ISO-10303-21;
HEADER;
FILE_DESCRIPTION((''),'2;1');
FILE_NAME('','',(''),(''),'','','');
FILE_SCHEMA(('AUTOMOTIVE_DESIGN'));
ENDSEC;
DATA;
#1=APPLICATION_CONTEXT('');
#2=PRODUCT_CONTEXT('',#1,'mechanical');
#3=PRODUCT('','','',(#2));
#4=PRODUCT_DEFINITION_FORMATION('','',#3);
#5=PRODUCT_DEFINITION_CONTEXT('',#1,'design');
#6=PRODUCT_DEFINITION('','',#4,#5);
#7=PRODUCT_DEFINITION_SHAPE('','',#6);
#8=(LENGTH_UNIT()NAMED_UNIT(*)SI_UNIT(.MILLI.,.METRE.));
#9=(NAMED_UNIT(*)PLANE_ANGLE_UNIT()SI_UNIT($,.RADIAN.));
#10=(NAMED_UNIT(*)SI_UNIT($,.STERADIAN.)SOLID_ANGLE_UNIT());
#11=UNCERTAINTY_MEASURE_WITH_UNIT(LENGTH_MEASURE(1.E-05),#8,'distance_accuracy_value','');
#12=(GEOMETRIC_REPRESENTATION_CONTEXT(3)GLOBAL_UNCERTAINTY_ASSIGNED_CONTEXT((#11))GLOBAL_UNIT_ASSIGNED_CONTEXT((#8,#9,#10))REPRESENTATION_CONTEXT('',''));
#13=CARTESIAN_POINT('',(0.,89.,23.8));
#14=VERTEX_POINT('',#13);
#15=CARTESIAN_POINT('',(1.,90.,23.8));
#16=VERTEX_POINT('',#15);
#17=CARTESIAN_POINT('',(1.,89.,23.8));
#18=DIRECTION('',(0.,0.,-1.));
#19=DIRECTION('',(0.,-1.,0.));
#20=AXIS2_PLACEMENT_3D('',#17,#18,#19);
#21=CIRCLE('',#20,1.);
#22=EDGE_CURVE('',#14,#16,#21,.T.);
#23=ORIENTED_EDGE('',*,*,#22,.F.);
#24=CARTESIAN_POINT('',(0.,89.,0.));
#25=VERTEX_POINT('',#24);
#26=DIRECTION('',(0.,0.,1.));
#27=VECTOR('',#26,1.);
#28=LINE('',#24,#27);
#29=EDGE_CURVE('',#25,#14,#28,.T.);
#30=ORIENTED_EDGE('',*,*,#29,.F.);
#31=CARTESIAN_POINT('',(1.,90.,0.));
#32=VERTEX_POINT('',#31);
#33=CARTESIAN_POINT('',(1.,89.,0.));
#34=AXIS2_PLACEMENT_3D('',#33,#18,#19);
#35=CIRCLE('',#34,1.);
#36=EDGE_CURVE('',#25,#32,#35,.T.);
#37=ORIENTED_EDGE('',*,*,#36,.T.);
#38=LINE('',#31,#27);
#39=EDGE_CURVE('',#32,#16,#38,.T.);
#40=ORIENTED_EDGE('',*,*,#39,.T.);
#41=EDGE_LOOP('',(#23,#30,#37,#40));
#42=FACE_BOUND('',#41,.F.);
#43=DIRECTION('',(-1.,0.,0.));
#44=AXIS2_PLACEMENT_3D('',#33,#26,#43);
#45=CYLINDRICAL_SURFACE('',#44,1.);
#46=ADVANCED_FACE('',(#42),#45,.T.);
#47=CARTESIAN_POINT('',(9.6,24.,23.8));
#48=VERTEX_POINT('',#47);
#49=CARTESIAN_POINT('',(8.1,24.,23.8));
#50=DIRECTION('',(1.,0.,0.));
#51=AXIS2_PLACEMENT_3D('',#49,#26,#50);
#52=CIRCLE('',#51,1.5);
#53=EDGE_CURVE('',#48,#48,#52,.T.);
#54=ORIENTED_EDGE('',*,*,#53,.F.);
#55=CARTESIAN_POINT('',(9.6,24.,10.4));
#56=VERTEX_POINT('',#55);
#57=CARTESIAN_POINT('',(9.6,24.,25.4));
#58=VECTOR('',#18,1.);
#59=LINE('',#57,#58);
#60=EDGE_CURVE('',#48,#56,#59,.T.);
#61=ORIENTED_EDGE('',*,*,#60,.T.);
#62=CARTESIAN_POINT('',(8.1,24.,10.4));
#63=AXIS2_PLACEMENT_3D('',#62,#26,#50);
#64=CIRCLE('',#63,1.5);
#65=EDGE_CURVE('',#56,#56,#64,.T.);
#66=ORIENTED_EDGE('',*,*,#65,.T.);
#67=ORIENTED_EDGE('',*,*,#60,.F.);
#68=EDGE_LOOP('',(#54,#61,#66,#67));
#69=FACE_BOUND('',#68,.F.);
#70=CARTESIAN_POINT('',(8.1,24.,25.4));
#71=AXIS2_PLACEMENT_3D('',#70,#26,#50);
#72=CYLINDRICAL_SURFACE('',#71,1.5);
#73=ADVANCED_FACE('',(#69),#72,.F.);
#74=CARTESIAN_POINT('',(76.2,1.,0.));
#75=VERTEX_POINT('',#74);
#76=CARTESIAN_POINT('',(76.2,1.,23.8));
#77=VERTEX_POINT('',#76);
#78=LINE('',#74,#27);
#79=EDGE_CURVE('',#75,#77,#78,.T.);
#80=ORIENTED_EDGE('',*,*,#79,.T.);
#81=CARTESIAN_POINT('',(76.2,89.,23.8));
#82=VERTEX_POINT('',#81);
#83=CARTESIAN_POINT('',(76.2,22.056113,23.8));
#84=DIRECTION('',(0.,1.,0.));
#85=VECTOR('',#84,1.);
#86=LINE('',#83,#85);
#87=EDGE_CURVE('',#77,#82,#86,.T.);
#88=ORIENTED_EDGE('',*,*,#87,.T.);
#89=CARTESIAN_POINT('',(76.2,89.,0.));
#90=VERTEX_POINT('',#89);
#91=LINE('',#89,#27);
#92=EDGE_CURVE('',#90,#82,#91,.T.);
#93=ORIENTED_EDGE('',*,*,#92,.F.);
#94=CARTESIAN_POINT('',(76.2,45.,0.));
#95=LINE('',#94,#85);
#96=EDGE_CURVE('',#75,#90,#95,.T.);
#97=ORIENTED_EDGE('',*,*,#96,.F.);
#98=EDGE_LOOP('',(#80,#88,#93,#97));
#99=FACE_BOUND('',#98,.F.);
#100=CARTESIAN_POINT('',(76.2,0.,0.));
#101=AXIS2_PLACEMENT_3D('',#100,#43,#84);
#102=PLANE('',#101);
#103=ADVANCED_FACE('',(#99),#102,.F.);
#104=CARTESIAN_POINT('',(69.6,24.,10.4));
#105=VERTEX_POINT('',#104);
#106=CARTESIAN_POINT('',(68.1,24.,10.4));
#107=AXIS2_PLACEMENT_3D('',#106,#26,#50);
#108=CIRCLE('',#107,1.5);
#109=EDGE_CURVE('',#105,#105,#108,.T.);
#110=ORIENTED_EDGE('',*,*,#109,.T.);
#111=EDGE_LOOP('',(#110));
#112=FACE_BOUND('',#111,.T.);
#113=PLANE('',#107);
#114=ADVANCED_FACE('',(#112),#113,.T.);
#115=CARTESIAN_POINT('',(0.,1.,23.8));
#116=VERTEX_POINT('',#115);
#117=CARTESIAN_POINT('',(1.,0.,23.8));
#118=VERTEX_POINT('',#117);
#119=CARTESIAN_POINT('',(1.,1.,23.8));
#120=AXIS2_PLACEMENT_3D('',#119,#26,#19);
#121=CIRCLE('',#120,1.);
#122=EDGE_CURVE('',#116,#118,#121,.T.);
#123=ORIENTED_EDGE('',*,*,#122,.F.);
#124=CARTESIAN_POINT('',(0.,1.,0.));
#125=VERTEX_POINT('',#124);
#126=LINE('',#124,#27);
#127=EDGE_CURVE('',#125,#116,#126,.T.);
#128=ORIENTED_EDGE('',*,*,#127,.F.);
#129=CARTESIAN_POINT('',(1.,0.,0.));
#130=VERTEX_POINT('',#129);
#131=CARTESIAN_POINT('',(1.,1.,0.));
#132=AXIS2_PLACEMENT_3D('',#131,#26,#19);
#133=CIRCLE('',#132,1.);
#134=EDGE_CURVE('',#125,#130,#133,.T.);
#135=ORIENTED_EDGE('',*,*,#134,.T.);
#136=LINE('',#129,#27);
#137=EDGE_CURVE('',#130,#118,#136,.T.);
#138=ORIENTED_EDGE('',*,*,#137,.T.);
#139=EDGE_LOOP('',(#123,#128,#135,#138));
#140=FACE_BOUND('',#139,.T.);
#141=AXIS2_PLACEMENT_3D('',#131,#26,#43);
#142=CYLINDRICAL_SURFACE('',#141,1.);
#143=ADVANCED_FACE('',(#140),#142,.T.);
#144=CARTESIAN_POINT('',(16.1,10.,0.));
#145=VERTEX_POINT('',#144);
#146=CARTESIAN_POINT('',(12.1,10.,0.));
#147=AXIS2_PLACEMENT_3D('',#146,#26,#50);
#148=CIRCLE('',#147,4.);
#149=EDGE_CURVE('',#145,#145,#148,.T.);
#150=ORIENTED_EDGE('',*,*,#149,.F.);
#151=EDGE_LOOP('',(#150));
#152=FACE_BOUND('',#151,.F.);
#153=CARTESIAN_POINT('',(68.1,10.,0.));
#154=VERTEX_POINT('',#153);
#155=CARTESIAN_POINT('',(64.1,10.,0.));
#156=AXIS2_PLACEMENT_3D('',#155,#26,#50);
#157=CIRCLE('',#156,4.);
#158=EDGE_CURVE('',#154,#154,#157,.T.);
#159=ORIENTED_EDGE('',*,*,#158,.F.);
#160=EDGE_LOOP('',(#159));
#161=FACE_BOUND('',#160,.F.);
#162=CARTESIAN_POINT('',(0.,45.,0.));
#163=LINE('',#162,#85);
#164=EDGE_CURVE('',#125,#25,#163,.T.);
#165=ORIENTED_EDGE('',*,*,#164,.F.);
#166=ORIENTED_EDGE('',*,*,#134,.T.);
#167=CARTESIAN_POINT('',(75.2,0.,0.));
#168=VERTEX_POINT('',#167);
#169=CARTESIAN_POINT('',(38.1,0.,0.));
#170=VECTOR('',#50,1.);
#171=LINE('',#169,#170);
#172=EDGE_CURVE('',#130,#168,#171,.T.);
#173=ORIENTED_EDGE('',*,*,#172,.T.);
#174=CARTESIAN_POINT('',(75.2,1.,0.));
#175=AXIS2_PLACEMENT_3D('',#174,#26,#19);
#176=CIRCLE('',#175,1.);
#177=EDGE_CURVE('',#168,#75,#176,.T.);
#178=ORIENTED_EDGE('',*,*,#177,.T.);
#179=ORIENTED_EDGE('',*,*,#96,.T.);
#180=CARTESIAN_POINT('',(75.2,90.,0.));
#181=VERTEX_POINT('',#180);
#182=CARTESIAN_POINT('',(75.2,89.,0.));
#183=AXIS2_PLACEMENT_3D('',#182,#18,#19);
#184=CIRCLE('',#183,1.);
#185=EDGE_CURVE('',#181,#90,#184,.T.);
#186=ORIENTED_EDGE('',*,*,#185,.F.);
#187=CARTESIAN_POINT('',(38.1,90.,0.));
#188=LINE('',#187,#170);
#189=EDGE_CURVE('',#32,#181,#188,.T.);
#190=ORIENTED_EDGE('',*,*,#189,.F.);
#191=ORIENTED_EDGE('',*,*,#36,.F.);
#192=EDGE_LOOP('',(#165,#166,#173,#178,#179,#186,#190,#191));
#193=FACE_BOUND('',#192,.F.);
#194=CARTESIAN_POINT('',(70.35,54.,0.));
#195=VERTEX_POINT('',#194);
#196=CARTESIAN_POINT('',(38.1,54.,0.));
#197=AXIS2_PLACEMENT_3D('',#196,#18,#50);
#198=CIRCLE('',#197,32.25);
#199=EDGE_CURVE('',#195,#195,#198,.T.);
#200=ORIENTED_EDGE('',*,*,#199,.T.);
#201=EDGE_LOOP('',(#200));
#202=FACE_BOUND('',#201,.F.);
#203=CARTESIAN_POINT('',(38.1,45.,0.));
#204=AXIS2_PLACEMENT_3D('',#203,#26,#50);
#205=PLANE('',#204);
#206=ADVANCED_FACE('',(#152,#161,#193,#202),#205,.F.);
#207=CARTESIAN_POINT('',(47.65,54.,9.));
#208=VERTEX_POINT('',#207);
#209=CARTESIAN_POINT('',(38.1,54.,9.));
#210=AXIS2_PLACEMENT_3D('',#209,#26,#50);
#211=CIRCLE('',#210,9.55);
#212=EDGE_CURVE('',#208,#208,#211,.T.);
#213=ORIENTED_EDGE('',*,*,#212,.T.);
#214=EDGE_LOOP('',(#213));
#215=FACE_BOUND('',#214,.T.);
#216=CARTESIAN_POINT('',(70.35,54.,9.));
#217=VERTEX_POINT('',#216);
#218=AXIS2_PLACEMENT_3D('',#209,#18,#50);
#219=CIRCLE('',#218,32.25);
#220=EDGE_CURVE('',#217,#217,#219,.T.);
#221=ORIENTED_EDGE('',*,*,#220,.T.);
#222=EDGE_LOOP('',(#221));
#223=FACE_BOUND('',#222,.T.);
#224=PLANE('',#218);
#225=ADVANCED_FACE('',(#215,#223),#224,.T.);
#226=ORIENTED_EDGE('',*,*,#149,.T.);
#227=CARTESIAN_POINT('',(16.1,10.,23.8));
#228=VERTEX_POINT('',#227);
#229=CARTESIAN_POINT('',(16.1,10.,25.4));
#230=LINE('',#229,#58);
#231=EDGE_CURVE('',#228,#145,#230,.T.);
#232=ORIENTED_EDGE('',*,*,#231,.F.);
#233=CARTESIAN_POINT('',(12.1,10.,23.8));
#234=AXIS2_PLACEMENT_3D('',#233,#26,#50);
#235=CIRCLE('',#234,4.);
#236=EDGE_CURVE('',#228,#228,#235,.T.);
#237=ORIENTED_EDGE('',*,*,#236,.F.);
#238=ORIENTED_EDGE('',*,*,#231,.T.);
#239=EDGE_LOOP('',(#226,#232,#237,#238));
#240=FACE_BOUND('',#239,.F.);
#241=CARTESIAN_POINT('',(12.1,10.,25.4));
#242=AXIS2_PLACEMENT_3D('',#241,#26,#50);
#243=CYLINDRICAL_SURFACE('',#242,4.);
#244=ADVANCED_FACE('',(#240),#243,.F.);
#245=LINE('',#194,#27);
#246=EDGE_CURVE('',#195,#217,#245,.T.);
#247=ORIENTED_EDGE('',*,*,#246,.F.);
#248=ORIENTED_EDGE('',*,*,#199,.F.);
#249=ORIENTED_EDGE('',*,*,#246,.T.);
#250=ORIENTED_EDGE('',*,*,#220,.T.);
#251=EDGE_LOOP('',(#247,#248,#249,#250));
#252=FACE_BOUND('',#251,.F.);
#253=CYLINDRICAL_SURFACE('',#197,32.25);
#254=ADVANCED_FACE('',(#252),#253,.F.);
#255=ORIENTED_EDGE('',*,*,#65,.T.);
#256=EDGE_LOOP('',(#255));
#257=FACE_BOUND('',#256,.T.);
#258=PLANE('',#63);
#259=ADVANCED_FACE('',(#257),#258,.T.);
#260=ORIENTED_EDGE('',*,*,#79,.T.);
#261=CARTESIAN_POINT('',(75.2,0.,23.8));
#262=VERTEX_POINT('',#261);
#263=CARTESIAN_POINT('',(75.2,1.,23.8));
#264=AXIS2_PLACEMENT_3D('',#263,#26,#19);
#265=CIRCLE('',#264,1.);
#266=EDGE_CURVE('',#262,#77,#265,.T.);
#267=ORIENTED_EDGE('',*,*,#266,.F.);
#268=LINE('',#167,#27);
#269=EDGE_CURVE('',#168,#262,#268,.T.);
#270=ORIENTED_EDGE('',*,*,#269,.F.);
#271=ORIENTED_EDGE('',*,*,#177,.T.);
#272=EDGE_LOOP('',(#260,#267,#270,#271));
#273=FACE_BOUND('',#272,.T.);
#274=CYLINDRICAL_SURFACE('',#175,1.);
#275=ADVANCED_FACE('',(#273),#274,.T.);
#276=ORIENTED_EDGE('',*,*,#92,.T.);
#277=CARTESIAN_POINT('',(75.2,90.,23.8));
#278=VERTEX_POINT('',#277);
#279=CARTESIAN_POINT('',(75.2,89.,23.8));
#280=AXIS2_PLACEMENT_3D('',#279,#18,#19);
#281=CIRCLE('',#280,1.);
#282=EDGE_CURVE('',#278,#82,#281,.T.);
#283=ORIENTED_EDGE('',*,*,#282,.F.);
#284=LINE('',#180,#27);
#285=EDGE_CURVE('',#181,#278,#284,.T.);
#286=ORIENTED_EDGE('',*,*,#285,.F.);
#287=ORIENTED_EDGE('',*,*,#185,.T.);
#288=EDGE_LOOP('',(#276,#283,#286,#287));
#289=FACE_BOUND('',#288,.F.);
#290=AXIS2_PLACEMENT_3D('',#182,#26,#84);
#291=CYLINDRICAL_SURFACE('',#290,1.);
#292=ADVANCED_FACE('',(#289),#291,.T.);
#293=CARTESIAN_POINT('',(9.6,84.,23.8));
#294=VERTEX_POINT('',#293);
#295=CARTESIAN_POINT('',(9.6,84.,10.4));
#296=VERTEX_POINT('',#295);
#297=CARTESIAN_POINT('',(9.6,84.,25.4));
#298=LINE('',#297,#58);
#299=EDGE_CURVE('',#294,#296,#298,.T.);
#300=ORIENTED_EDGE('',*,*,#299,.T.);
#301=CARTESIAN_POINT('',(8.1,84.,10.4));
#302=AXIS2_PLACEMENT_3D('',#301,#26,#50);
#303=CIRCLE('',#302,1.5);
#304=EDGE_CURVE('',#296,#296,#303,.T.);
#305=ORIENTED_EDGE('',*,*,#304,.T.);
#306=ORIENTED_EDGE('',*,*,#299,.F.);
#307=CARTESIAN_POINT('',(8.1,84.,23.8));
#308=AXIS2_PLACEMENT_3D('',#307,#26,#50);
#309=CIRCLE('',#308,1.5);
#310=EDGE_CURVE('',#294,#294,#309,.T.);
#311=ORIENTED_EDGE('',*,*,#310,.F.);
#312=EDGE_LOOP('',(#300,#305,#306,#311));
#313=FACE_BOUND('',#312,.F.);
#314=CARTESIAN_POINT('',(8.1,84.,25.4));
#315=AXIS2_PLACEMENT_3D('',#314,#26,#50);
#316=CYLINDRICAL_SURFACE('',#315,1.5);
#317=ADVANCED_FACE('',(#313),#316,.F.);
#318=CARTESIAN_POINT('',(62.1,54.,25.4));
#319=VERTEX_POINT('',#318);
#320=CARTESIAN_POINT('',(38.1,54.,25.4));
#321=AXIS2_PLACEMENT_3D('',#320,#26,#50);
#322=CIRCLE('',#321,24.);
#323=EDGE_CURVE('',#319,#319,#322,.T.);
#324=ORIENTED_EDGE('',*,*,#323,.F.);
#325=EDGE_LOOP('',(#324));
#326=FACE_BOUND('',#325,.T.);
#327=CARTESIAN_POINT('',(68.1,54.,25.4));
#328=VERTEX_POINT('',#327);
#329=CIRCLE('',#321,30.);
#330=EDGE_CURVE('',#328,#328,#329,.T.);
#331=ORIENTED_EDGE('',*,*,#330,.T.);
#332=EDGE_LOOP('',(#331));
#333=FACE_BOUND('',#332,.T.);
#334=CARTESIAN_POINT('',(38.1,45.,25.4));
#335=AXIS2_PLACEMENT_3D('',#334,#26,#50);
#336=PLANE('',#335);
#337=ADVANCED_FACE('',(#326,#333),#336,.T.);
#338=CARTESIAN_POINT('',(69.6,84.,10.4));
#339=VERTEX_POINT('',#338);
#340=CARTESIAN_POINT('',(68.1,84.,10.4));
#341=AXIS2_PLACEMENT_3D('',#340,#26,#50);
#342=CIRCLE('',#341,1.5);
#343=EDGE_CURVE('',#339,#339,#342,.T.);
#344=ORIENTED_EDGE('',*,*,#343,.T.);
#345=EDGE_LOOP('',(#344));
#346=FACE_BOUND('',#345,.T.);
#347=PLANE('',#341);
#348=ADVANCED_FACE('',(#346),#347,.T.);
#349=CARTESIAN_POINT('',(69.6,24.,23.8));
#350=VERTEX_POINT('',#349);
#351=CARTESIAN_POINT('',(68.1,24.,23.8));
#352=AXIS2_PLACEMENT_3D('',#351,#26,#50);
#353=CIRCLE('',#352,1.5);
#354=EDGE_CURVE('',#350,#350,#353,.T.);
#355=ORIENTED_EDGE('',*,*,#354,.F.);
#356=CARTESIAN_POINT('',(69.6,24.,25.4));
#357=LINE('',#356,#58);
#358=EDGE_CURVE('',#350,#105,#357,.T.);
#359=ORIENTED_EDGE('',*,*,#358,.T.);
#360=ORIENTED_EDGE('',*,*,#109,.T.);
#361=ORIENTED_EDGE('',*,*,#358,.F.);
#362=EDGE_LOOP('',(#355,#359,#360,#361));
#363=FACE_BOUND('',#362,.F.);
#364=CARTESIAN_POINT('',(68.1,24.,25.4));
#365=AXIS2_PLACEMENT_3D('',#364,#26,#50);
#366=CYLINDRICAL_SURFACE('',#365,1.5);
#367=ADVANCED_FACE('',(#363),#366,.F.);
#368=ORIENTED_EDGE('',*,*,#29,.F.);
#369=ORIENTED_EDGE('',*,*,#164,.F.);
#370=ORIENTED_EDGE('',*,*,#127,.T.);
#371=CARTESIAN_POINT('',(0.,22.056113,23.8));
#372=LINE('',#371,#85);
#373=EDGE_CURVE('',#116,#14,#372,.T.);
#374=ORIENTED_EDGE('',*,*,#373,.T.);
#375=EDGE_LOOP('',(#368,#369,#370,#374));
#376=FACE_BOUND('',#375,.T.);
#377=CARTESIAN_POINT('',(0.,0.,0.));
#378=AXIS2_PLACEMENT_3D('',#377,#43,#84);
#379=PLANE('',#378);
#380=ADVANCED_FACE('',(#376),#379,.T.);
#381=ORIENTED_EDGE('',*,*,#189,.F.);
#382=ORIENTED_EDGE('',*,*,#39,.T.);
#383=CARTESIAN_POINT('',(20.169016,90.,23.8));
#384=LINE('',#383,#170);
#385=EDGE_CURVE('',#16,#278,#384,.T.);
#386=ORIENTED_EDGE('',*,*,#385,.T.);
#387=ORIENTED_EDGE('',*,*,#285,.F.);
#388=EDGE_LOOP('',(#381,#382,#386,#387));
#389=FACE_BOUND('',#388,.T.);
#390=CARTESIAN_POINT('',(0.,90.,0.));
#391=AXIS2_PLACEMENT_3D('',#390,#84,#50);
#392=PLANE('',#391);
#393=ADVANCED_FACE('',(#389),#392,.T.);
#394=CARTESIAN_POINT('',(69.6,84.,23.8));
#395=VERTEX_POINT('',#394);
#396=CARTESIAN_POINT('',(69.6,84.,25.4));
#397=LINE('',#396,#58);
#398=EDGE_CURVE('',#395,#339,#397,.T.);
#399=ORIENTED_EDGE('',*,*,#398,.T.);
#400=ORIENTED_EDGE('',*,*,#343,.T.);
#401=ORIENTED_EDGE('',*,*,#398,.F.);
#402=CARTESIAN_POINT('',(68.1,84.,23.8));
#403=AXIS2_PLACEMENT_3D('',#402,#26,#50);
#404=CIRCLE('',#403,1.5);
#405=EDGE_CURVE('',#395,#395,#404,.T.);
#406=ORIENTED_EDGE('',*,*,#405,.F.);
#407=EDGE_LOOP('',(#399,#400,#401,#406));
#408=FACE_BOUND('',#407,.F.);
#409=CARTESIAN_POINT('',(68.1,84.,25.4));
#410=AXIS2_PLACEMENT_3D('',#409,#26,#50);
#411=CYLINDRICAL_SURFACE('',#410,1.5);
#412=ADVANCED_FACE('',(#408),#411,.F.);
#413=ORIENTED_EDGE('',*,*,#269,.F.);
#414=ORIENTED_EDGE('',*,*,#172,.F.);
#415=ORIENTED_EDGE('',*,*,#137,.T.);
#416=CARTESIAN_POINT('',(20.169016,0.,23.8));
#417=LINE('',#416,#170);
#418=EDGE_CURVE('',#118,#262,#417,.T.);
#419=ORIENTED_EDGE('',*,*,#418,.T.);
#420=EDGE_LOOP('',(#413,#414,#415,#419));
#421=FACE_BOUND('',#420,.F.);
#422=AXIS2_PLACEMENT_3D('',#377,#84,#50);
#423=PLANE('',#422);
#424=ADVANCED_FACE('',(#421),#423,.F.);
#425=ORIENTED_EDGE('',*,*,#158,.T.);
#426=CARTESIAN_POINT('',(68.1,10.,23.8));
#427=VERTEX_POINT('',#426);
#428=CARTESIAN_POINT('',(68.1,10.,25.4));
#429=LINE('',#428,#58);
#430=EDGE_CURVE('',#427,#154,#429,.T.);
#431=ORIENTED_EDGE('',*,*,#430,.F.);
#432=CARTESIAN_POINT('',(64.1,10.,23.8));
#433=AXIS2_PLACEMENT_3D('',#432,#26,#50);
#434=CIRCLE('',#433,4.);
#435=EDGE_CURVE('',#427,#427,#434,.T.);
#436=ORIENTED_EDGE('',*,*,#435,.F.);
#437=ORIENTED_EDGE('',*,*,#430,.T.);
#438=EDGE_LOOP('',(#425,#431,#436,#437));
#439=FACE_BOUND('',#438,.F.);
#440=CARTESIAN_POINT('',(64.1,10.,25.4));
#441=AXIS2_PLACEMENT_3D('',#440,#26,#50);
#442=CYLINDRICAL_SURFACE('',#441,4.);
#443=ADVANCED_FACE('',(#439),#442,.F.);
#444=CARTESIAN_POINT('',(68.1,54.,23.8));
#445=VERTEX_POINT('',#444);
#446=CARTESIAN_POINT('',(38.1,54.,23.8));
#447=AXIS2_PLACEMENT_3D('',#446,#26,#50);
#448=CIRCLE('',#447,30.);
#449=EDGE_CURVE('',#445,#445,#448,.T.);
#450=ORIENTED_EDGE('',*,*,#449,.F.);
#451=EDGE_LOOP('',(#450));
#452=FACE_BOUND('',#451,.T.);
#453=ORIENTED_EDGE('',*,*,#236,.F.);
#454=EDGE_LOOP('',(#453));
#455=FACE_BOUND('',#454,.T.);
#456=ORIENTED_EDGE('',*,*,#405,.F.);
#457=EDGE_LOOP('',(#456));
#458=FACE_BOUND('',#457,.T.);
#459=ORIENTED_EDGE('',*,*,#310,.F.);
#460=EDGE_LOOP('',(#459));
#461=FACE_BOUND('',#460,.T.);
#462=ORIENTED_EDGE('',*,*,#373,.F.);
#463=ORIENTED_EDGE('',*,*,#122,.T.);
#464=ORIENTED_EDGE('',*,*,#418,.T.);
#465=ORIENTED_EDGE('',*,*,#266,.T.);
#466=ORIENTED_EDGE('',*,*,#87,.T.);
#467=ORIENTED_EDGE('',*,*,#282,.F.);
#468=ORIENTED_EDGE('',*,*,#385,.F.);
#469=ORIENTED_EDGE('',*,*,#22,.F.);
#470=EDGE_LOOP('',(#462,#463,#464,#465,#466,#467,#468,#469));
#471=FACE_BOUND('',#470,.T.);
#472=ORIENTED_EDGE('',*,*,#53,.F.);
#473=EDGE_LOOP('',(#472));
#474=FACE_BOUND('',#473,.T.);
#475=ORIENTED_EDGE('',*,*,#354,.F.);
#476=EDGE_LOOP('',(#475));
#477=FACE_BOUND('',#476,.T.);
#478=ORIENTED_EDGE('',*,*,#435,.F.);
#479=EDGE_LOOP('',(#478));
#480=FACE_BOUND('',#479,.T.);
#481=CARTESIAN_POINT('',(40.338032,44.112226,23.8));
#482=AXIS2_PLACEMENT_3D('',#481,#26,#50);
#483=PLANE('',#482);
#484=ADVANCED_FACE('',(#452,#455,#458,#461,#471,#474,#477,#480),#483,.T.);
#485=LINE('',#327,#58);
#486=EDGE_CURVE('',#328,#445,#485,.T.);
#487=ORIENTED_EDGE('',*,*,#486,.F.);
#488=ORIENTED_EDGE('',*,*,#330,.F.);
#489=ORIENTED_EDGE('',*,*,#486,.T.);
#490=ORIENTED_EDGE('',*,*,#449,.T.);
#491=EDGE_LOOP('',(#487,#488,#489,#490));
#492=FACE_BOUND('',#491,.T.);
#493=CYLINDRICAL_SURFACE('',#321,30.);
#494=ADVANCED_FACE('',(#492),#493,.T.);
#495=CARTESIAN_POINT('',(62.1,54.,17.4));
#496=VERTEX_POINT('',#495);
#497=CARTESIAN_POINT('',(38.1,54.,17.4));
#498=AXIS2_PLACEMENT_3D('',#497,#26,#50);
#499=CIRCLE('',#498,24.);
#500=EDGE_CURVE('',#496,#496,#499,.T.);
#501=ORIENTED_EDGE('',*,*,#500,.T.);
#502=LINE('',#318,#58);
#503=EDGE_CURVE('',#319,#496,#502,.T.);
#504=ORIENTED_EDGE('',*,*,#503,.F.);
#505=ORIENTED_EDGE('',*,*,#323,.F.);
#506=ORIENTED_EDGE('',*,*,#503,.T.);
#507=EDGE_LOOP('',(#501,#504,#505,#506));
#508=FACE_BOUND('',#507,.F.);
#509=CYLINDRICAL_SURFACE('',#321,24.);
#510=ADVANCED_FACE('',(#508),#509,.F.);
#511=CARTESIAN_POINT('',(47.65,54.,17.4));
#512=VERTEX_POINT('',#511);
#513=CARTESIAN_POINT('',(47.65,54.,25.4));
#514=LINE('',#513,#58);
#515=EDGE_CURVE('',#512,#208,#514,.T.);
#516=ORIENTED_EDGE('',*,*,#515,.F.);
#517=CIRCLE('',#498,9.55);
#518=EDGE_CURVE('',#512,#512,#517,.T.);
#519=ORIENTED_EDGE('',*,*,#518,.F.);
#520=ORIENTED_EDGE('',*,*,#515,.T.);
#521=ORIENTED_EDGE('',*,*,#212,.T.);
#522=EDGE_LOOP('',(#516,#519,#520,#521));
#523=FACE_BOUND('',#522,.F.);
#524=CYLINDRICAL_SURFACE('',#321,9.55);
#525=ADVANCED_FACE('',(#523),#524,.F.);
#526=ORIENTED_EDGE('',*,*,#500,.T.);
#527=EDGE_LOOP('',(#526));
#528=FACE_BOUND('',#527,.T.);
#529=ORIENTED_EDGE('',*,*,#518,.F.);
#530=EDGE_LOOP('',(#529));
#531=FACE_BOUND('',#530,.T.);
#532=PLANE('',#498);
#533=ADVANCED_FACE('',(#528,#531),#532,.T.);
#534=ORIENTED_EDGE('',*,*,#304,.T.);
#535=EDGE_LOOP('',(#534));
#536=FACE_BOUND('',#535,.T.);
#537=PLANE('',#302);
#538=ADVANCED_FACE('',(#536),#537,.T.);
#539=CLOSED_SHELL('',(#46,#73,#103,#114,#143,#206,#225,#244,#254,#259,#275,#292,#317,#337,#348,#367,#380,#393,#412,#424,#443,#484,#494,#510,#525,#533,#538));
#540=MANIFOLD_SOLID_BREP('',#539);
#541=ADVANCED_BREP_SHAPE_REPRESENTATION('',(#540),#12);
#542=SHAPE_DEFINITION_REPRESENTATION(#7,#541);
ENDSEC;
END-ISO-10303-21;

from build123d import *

# Parameters (mm, degrees)
F0_W      = 76.2
F0_H      = 90
F1_DEPTH  = 25.4
F2_R      = 9.55
F2_R_2    = 4
F3_DEPTH  = 25.4
F5_R      = 1.5
F6_DEPTH  = 15
F7_W      = 95.184714
F7_H      = 99.811753
F7_R      = 30
F8_DEPTH  = 1.6
F9_R      = 24
F10_DEPTH = 8
F11_R     = 32.25
F12_DEPTH = 9
F13_R     = 1


with BuildPart() as f1:
    # F0 (on Top) → F1 (new body)
    with BuildSketch(Plane.XY):
        with Locations((38.1, 45)):
            Rectangle(F0_W, F0_H)
    extrude(amount=F1_DEPTH)

    # F2 (on face) → F3 (cut, through all)
    with BuildSketch(Plane.XY.offset(25.4)):
        with Locations((38.1, 54)):
            Circle(F2_R)
        with Locations((12.1, 10)):
            Circle(F2_R_2)
        with Locations((64.1, 10)):
            Circle(F2_R_2)
    extrude(amount=-F3_DEPTH, mode=Mode.SUBTRACT)

    # F5 (on face) → F6 (cut)
    with BuildSketch(Plane.XY.offset(25.4)):
        with Locations((8.1, 84)):
            Circle(F5_R)
        with Locations((68.1, 84)):
            Circle(F5_R)
        with Locations((68.1, 24)):
            Circle(F5_R)
        with Locations((8.1, 24)):
            Circle(F5_R)
    extrude(amount=-F6_DEPTH, mode=Mode.SUBTRACT)

    # F7 (on face) → F8 (cut)
    with BuildSketch(Plane.XY.offset(25.4)):
        with Locations((40.338032, 44.112226)):
            Rectangle(F7_W, F7_H)
        with Locations((38.1, 54)):
            Circle(F7_R, mode=Mode.SUBTRACT)
    extrude(amount=-F8_DEPTH, mode=Mode.SUBTRACT)

    # F9 (on face) → F10 (cut)
    with BuildSketch(Plane.XY.offset(25.4)):
        with Locations((38.1, 54)):
            Circle(F9_R)
    extrude(amount=-F10_DEPTH, mode=Mode.SUBTRACT)

    # F11 (on face) → F12 (cut)
    with BuildSketch(Plane(origin=(0, 0, 0), x_dir=(1, 0, 0), z_dir=(0, 0, -1))):
        with Locations((38.1, -54)):
            Circle(F11_R)
    extrude(amount=-F12_DEPTH, mode=Mode.SUBTRACT)

    # F13
    f13_edges = [f1.edges().sort_by_distance(p)[0] for p in [
        (76.2, 0, 11.9),
        (0, 0, 11.9),
        (76.2, 90, 11.9),
        (0, 90, 11.9),
    ]]
    fillet(f13_edges, radius=F13_R)


solid = f1.part
